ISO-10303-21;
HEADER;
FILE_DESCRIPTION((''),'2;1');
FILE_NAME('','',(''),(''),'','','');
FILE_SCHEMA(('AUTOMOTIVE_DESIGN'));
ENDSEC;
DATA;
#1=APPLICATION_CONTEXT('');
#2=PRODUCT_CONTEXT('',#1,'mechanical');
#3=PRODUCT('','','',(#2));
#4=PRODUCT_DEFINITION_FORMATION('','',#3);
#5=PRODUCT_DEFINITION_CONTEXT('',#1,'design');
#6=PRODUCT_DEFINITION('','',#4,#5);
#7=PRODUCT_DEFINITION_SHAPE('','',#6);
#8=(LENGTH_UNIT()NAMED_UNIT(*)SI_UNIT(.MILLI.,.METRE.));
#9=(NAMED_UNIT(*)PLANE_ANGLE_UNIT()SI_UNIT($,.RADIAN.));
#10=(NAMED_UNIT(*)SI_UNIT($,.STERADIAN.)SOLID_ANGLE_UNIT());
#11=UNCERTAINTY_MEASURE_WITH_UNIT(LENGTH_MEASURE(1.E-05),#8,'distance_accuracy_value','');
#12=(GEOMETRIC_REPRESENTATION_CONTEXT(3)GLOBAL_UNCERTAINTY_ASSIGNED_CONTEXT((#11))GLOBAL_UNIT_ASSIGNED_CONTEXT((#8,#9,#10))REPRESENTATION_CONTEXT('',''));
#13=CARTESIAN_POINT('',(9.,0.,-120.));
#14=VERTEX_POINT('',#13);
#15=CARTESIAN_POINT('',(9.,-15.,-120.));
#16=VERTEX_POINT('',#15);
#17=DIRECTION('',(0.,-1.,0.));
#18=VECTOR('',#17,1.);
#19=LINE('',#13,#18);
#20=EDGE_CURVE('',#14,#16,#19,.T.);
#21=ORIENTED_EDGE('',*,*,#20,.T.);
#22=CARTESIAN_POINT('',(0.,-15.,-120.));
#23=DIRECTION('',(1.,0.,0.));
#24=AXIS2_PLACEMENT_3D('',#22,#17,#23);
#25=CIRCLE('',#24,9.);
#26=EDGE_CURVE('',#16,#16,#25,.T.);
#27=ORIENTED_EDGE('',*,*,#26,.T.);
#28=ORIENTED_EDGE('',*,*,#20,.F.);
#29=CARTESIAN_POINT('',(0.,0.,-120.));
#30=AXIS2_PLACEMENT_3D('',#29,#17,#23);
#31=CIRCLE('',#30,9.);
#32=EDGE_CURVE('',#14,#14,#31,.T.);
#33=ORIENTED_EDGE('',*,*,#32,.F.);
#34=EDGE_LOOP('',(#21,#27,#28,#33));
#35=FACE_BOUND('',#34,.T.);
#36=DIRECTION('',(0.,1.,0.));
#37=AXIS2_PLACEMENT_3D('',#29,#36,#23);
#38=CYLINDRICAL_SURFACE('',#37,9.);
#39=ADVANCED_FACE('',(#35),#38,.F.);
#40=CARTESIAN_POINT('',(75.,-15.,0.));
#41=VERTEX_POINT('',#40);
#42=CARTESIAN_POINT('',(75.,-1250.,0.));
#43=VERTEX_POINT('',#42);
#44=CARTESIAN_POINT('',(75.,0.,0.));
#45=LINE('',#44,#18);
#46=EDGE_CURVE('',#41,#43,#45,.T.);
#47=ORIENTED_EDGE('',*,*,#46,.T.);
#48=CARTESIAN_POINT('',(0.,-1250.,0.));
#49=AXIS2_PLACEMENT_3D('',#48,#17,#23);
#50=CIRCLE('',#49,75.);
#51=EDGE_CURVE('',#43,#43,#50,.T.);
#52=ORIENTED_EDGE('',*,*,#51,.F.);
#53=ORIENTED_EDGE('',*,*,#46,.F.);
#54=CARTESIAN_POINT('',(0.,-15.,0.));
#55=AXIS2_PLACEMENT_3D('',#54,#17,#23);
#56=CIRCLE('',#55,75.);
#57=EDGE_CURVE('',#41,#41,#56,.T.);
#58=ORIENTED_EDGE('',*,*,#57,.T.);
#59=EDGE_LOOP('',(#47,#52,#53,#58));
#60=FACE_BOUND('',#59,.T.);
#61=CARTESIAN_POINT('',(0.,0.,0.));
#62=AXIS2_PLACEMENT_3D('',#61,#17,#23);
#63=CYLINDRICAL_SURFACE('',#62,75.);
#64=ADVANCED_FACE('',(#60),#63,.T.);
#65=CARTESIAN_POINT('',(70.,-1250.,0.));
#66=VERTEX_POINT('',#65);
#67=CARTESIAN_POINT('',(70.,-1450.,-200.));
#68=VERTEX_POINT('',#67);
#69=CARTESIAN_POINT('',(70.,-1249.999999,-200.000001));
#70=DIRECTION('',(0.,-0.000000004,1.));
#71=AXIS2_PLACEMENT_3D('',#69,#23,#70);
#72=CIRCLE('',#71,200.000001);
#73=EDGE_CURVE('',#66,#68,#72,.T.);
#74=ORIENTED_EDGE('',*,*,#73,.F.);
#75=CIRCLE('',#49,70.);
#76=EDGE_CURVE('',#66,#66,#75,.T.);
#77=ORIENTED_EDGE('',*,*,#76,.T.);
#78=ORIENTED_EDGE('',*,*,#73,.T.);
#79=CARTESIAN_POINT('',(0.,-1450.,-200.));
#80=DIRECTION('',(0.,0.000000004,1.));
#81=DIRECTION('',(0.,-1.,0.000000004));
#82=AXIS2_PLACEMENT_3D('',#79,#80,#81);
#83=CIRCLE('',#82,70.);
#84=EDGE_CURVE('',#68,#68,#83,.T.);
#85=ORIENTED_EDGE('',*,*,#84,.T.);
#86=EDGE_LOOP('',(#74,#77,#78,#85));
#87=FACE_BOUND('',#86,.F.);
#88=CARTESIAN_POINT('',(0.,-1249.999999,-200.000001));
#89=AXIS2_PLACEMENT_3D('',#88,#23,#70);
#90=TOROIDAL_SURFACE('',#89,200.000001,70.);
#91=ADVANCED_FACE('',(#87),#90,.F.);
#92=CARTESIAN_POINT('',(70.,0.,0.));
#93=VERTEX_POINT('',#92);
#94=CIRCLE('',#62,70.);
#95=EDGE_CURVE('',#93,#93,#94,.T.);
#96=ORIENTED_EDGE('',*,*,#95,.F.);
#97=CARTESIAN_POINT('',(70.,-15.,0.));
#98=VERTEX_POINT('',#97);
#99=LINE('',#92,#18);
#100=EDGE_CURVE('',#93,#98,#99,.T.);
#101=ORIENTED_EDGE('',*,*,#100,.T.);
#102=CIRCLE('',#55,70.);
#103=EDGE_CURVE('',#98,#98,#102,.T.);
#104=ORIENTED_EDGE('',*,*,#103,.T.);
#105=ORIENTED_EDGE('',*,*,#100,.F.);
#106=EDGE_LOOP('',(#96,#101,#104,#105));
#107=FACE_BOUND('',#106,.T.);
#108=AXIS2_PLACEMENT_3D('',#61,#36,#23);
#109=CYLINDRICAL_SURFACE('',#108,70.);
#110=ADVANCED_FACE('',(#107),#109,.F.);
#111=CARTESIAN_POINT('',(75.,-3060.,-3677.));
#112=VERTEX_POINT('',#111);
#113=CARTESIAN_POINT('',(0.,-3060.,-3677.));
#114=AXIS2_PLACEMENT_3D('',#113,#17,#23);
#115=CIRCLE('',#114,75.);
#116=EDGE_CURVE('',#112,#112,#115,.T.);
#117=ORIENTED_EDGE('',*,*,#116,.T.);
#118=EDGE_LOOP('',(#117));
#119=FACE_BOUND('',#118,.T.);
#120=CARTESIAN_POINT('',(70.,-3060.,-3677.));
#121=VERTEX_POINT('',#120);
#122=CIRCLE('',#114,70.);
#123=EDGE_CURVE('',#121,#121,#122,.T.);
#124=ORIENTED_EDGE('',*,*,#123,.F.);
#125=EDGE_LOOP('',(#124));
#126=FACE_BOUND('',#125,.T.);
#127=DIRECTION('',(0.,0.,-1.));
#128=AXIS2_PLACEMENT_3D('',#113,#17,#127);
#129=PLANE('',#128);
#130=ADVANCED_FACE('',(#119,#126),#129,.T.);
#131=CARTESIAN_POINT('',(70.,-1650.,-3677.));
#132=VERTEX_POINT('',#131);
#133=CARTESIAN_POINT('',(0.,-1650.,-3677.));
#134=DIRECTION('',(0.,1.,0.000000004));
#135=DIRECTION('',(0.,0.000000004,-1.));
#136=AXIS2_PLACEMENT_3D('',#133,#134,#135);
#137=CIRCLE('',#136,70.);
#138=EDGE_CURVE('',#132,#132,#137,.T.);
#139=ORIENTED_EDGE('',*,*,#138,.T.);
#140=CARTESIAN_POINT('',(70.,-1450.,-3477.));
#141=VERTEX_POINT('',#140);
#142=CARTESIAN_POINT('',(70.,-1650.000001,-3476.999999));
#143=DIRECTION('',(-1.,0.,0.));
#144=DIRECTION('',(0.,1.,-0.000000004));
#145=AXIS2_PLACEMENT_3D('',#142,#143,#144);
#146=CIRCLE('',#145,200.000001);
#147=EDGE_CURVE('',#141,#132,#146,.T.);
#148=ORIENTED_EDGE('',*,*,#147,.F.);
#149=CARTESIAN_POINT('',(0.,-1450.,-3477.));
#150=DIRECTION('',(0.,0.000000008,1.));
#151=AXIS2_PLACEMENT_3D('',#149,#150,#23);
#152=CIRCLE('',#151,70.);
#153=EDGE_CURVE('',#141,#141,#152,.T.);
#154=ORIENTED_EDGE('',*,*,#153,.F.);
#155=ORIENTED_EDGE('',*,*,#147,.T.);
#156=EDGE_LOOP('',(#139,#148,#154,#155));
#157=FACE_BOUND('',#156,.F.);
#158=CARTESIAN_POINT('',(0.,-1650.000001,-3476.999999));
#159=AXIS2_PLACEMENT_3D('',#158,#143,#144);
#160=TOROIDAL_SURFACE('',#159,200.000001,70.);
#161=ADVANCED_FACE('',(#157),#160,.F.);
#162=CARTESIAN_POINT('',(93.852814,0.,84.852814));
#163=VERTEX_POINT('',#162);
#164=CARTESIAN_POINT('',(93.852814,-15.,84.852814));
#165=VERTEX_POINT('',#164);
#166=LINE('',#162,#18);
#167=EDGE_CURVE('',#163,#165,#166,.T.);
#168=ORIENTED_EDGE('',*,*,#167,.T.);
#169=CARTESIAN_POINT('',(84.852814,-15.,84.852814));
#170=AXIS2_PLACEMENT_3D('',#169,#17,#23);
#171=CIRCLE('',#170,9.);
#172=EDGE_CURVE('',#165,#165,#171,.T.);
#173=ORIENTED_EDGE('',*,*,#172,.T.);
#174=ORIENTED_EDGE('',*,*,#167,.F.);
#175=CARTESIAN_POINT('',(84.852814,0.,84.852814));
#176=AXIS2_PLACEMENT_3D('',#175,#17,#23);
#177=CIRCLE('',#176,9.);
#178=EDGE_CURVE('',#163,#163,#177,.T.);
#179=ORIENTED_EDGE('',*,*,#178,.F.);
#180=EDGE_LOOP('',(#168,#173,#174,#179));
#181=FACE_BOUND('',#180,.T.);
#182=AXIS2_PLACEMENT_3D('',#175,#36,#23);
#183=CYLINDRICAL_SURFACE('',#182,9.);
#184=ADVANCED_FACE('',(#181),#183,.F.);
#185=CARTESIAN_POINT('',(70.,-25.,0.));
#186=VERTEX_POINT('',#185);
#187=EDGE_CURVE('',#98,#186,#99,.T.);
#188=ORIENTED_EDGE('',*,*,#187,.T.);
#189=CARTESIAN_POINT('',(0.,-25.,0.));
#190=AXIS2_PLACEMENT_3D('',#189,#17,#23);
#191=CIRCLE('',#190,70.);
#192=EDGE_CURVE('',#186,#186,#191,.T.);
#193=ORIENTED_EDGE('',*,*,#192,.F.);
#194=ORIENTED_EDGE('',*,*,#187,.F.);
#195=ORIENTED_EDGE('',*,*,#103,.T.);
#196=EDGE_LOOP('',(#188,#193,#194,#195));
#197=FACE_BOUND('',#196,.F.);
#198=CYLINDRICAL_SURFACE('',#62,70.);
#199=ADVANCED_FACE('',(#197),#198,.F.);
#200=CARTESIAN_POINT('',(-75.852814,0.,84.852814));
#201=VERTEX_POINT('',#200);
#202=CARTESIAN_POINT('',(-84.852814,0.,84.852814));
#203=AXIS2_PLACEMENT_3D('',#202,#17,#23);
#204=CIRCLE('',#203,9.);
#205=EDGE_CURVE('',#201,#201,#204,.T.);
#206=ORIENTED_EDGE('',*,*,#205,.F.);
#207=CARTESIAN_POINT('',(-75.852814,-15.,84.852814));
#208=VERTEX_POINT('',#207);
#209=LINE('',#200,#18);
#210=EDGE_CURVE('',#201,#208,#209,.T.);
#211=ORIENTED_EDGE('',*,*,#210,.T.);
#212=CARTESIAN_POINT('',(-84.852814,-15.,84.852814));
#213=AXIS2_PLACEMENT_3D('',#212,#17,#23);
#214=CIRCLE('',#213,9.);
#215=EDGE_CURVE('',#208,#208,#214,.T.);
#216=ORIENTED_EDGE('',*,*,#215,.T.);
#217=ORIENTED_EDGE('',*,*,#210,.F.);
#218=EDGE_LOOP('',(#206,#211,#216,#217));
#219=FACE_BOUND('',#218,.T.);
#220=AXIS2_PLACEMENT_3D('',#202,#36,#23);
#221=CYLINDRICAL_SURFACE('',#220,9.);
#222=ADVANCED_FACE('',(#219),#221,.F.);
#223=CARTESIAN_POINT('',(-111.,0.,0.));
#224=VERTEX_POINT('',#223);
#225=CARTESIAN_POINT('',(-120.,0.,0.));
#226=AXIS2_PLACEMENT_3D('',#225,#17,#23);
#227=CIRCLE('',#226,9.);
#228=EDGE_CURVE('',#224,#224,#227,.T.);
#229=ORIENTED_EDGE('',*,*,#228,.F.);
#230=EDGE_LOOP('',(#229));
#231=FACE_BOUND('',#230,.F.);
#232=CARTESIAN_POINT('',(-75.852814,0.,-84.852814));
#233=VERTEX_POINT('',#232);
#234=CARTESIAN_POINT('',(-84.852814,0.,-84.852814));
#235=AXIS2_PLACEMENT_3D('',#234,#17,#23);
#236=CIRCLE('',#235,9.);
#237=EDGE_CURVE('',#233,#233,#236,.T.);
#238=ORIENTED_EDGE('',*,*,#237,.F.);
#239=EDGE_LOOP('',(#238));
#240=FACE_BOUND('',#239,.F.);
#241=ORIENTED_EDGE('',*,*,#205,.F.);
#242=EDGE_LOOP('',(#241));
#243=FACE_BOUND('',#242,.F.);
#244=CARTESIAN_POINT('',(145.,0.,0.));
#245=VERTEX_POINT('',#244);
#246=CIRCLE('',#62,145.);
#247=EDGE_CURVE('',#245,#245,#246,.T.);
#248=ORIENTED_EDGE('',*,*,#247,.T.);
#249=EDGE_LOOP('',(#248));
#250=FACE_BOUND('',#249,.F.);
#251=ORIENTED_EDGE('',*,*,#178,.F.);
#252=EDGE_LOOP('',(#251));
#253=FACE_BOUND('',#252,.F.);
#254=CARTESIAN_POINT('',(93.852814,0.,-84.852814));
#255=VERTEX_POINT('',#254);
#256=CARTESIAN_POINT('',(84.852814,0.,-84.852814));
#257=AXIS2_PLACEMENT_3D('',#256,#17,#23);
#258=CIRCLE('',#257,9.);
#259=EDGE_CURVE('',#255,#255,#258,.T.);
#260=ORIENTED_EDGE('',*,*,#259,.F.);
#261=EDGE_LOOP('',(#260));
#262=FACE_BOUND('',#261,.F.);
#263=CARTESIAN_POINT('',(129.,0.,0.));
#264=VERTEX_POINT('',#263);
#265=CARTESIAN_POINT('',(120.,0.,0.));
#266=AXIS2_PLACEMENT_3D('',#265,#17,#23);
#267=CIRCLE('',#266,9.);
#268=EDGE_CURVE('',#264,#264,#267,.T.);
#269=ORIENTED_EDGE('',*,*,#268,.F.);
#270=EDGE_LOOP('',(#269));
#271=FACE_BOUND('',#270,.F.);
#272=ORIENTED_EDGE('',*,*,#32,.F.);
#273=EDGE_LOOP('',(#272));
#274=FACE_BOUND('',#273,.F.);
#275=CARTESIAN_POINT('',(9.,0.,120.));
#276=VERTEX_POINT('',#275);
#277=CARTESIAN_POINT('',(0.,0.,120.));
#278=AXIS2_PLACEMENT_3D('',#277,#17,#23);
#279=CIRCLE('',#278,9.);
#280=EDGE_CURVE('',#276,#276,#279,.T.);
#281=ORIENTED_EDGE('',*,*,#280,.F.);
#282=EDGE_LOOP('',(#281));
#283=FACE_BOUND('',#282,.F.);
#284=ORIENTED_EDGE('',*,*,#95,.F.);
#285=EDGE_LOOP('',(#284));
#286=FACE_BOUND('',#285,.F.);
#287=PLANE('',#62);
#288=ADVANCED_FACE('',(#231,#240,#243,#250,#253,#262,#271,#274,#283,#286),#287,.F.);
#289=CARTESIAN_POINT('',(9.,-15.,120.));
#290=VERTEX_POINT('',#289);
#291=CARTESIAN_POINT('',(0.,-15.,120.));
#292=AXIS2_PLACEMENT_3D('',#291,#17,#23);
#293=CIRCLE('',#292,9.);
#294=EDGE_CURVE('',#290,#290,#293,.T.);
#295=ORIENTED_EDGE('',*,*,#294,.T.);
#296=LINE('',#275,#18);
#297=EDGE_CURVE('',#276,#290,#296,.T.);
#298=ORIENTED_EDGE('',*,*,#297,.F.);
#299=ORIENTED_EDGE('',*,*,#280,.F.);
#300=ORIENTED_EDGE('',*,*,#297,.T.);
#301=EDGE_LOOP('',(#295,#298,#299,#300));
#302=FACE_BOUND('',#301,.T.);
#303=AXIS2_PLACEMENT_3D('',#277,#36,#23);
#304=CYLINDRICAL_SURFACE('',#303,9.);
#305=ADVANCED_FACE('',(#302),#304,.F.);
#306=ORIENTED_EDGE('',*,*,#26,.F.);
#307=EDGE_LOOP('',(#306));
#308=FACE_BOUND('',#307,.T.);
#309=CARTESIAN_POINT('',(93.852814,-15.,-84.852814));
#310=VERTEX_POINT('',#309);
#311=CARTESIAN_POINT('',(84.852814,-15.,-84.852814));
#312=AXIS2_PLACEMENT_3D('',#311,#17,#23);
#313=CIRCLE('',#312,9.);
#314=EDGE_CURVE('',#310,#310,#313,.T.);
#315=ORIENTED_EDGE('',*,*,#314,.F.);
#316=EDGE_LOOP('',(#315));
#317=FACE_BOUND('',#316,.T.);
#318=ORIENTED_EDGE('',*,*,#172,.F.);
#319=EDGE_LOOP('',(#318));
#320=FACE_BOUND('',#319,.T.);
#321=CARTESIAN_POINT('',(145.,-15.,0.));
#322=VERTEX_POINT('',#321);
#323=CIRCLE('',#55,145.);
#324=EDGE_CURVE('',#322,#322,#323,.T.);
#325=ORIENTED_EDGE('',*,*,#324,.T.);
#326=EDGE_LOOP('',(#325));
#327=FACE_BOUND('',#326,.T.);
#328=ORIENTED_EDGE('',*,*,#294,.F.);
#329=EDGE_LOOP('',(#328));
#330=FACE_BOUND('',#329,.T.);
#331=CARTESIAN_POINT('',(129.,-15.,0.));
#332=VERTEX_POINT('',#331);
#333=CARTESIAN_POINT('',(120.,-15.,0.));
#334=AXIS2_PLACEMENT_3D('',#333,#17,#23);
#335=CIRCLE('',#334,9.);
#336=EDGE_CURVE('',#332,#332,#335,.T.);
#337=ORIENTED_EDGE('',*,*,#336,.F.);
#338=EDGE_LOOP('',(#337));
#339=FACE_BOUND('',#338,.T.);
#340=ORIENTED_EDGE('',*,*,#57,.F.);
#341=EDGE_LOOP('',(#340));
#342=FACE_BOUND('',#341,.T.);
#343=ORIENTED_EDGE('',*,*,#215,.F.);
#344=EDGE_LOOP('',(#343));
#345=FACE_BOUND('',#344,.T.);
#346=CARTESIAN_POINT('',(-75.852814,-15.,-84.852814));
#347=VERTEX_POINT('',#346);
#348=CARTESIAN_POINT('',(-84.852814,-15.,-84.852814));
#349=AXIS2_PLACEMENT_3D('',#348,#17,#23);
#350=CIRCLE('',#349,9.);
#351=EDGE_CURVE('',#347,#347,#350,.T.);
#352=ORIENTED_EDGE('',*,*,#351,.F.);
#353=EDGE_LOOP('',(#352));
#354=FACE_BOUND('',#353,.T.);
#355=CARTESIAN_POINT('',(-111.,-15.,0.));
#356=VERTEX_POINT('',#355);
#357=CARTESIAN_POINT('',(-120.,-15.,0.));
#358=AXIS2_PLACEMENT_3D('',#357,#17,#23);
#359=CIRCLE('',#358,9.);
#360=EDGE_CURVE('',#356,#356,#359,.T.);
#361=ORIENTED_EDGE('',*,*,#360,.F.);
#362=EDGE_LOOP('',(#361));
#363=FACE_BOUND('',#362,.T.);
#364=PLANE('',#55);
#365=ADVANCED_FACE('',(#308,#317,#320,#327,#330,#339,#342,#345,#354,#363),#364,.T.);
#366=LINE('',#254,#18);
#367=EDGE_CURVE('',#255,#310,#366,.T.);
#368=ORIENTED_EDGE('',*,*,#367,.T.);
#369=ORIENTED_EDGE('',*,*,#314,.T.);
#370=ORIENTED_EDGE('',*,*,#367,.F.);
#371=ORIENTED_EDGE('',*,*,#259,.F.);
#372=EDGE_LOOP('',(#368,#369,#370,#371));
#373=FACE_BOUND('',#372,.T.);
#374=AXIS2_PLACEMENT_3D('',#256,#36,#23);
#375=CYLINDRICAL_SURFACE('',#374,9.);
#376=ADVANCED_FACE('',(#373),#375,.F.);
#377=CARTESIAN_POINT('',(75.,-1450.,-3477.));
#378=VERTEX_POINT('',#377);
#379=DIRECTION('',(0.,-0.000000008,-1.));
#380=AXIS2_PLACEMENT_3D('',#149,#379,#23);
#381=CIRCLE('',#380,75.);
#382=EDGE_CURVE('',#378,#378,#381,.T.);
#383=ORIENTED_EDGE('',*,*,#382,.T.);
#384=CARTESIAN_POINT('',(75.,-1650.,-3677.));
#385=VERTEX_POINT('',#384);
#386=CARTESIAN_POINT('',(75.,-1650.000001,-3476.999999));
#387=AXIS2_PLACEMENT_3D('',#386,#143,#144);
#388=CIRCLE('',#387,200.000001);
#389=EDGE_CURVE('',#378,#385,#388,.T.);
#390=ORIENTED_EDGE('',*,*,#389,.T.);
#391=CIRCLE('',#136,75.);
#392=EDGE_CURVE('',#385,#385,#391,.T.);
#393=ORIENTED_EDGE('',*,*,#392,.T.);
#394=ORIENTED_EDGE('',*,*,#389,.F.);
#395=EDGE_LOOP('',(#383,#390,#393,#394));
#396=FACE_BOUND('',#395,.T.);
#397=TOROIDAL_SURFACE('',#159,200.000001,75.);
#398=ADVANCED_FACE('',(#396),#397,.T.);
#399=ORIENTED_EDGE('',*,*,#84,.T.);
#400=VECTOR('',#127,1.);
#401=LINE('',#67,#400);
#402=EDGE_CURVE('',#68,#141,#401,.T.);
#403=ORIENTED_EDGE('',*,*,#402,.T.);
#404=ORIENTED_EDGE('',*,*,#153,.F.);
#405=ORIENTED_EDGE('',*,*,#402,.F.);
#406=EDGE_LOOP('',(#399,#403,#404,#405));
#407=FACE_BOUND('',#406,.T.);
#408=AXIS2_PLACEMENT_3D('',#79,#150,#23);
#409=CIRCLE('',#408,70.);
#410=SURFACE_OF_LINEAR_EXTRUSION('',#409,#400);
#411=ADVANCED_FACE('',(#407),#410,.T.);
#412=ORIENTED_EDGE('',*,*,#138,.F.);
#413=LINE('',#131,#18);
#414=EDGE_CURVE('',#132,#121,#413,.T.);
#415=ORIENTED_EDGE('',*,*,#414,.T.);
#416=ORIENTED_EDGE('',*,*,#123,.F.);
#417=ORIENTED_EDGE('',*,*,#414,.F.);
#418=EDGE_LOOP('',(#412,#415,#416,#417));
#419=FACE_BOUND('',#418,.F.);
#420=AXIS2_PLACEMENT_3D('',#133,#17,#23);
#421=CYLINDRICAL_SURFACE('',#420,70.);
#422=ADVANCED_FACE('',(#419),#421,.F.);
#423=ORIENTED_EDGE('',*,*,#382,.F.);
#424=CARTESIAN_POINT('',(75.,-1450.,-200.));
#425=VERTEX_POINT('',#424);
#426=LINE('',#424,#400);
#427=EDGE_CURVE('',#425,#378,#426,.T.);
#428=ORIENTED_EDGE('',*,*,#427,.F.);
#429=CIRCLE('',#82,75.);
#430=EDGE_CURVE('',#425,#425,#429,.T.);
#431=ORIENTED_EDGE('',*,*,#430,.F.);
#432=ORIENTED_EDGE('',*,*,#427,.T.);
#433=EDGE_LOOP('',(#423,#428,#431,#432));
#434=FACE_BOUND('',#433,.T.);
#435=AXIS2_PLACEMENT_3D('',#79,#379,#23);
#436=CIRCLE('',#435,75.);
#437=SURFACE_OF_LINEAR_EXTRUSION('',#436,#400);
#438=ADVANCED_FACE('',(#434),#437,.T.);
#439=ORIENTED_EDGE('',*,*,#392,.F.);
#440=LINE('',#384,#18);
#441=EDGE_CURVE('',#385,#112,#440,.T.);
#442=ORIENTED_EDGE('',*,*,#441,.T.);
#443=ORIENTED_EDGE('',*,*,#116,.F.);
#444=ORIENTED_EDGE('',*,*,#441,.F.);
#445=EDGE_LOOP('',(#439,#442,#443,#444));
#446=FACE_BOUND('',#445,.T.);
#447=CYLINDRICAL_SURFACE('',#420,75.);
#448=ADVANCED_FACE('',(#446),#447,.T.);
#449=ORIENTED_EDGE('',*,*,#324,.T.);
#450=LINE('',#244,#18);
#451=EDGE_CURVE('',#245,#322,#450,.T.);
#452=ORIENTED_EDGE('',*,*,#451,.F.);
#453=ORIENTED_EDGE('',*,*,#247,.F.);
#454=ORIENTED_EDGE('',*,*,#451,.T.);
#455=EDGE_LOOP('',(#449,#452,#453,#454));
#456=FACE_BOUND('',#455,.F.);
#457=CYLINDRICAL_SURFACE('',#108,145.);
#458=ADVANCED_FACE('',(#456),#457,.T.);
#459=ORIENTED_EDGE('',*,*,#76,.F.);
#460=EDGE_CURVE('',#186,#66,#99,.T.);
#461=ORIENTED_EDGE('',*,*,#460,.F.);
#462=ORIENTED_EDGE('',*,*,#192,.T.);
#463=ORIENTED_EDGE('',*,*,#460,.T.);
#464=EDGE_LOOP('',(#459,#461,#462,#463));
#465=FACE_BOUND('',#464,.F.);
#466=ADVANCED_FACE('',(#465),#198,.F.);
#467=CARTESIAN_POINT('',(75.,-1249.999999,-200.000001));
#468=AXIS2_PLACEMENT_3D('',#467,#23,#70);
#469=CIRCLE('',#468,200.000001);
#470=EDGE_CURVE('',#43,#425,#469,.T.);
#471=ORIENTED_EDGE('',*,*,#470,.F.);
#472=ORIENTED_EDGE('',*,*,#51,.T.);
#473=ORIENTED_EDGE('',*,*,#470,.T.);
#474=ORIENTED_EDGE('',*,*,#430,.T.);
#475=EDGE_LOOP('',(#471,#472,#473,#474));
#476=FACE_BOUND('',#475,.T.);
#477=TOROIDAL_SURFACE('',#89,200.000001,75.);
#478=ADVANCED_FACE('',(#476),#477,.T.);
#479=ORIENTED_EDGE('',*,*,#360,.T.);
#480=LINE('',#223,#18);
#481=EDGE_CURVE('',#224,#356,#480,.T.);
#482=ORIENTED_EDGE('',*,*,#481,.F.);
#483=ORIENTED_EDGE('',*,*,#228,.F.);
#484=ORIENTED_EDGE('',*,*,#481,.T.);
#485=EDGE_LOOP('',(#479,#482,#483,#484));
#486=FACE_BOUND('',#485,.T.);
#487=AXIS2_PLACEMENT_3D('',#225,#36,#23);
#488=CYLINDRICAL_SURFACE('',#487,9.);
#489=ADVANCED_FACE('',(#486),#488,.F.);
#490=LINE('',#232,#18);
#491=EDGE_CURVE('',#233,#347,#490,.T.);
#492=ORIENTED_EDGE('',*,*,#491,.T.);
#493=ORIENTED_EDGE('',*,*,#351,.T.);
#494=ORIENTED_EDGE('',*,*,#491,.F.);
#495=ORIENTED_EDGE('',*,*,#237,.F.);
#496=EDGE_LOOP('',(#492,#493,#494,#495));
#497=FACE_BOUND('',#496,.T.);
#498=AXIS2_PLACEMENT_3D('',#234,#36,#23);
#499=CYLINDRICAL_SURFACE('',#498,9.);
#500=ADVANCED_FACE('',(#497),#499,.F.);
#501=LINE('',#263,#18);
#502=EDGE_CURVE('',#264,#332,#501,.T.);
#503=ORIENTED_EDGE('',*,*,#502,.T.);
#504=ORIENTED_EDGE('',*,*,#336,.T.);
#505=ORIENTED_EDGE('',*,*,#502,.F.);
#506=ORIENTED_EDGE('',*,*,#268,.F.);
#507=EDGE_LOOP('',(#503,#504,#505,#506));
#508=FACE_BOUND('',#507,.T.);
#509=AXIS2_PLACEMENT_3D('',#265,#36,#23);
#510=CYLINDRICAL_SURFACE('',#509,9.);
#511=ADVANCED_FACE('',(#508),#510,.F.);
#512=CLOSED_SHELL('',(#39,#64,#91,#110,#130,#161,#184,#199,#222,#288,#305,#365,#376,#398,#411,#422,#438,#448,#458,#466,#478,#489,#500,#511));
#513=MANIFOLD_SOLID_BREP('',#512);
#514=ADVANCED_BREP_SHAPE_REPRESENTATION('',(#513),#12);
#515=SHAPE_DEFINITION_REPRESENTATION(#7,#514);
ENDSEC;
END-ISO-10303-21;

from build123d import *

# Parameters (mm, degrees)
F0_R     = 75
F0_R_2   = 70
F3_R     = 145
F3_R_2   = 9
F4_DEPTH = 15
F5_DEPTH = 25


with BuildPart() as f2:
    # F2: sweep along a path in F1
    with BuildLine(Plane.YZ) as f2_path:
        Line((0, 0), (-1250, 0))
        ThreePointArc((-1250, 0), (-1391.421356, -58.578644), (-1450, -200))
        Line((-1450, -200), (-1450, -3477))
        ThreePointArc((-1450, -3477), (-1508.578644, -3618.421356), (-1650, -3677))
        Line((-1650, -3677), (-3060, -3677))
    # F0 (on Front) → F2 (sweep)
    with BuildSketch(Plane.XZ):
        Circle(F0_R)
        Circle(F0_R_2, mode=Mode.SUBTRACT)
    sweep(path=f2_path.line)

    # F3 (on Front) → F4 (join)
    with BuildSketch(Plane.XZ):
        Circle(F3_R)
        with Locations((-84.852814, -84.852814)):
            Circle(F3_R_2, mode=Mode.SUBTRACT)
        with Locations((0, -120)):
            Circle(F3_R_2, mode=Mode.SUBTRACT)
        with Locations((84.852814, -84.852814)):
            Circle(F3_R_2, mode=Mode.SUBTRACT)
        with Locations((-120, 0)):
            Circle(F3_R_2, mode=Mode.SUBTRACT)
        with Locations((-84.852814, 84.852814)):
            Circle(F3_R_2, mode=Mode.SUBTRACT)
        with Locations((120, 0)):
            Circle(F3_R_2, mode=Mode.SUBTRACT)
        with Locations((0, 120)):
            Circle(F3_R_2, mode=Mode.SUBTRACT)
        with Locations((84.852814, 84.852814)):
            Circle(F3_R_2, mode=Mode.SUBTRACT)
    extrude(amount=F4_DEPTH)

    # F0 (on Front) → F5 (cut)
    with BuildSketch(Plane.XZ):
        Circle(F0_R_2)
    extrude(amount=F5_DEPTH, mode=Mode.SUBTRACT)


solid = f2.part
